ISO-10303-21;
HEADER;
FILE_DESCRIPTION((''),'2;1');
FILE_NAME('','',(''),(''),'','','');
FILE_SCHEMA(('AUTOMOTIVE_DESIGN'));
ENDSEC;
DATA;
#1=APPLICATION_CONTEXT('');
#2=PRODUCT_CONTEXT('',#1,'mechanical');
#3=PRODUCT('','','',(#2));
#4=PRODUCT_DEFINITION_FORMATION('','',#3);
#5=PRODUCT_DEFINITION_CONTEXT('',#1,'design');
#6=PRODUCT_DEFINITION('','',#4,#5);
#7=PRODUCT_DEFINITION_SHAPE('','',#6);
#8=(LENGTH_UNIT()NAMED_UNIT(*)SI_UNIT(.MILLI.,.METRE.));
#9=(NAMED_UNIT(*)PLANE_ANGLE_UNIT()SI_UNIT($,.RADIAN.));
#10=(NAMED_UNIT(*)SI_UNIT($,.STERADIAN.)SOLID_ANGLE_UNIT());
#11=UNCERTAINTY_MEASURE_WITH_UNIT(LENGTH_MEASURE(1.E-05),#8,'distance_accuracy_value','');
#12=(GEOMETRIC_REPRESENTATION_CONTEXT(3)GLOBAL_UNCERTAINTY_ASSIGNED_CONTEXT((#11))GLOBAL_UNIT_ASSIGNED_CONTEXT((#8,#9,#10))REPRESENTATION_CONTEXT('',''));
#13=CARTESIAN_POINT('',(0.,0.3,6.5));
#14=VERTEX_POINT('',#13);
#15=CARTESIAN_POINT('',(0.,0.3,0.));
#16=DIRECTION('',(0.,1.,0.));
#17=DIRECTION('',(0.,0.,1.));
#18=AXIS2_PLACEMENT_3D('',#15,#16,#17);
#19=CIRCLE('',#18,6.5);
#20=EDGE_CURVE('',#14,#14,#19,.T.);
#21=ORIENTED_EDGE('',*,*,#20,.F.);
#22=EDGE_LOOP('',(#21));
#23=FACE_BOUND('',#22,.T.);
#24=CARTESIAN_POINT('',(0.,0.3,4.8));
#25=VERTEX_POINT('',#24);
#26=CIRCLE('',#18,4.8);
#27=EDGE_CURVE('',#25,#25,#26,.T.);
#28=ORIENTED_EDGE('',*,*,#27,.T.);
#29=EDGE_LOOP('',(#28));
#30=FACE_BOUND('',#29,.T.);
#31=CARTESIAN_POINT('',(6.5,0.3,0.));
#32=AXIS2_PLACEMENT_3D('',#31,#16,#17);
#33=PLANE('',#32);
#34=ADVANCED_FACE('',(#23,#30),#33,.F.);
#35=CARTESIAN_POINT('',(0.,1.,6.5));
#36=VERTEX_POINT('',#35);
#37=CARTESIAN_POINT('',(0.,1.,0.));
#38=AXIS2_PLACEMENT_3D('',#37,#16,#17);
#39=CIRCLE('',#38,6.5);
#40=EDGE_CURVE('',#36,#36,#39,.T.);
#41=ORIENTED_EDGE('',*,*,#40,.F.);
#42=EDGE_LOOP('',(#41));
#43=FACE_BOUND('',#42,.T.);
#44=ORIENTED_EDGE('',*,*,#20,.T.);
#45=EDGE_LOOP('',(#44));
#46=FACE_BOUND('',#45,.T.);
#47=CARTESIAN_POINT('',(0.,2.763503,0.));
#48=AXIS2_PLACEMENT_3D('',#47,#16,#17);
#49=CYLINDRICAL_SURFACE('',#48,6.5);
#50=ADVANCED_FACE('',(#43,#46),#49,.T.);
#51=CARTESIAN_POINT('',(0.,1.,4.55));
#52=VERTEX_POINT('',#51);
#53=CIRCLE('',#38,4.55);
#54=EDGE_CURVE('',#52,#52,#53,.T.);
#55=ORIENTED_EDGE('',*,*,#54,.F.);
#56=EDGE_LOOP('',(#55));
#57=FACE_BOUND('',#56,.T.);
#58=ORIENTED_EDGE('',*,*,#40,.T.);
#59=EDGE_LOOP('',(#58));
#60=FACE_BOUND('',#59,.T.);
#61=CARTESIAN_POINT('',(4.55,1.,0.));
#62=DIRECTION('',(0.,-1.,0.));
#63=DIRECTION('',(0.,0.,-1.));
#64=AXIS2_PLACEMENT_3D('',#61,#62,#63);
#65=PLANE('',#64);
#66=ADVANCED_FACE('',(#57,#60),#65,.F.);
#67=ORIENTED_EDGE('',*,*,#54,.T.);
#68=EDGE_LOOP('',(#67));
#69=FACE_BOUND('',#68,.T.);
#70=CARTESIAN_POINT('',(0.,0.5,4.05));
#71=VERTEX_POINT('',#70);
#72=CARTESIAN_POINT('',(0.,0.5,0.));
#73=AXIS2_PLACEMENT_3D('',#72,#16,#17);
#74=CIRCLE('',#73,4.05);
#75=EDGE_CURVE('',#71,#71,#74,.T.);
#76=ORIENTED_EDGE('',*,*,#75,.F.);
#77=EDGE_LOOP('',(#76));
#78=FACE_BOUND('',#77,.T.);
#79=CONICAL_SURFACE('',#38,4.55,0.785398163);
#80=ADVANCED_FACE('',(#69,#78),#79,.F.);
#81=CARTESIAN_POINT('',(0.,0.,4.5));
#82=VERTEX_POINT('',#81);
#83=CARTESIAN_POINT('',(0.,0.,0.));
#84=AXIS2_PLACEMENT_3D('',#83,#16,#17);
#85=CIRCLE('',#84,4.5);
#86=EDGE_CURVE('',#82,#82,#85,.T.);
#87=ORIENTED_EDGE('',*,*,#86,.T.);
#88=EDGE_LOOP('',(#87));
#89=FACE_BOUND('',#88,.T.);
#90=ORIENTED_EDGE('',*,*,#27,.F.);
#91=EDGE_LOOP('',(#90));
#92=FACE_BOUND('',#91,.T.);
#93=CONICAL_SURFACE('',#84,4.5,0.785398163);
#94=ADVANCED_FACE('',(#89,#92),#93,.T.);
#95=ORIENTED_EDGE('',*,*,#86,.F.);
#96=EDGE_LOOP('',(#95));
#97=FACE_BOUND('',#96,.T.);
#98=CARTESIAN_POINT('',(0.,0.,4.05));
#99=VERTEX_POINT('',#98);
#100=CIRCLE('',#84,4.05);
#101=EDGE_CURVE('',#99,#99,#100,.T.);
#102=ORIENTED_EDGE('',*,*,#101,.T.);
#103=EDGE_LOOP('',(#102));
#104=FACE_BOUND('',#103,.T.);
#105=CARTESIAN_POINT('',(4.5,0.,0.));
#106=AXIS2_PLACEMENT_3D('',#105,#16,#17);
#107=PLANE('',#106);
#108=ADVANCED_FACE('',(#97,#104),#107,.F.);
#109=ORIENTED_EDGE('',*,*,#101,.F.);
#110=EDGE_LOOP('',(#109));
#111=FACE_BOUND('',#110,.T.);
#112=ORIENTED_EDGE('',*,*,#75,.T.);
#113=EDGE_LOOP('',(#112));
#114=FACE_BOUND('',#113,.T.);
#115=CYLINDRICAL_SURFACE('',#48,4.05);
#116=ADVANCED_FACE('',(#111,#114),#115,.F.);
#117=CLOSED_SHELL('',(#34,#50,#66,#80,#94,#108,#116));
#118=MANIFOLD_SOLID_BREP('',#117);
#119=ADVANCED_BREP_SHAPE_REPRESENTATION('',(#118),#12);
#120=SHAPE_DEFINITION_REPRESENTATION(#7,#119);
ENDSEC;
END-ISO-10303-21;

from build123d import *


with BuildPart() as part:
    # Sketch1 → Revolve1 (revolve)
    with BuildSketch(Plane.XY):
        Polygon((4.05, 0.5), (4.55, 1), (6.5, 1), (6.5, 0.3), (4.8, 0.3), (4.5, 0), (4.05, 0), align=None)
    revolve(axis=Axis((0, 2.763503086, 0), (0, -1, 0)))


solid = part.part
